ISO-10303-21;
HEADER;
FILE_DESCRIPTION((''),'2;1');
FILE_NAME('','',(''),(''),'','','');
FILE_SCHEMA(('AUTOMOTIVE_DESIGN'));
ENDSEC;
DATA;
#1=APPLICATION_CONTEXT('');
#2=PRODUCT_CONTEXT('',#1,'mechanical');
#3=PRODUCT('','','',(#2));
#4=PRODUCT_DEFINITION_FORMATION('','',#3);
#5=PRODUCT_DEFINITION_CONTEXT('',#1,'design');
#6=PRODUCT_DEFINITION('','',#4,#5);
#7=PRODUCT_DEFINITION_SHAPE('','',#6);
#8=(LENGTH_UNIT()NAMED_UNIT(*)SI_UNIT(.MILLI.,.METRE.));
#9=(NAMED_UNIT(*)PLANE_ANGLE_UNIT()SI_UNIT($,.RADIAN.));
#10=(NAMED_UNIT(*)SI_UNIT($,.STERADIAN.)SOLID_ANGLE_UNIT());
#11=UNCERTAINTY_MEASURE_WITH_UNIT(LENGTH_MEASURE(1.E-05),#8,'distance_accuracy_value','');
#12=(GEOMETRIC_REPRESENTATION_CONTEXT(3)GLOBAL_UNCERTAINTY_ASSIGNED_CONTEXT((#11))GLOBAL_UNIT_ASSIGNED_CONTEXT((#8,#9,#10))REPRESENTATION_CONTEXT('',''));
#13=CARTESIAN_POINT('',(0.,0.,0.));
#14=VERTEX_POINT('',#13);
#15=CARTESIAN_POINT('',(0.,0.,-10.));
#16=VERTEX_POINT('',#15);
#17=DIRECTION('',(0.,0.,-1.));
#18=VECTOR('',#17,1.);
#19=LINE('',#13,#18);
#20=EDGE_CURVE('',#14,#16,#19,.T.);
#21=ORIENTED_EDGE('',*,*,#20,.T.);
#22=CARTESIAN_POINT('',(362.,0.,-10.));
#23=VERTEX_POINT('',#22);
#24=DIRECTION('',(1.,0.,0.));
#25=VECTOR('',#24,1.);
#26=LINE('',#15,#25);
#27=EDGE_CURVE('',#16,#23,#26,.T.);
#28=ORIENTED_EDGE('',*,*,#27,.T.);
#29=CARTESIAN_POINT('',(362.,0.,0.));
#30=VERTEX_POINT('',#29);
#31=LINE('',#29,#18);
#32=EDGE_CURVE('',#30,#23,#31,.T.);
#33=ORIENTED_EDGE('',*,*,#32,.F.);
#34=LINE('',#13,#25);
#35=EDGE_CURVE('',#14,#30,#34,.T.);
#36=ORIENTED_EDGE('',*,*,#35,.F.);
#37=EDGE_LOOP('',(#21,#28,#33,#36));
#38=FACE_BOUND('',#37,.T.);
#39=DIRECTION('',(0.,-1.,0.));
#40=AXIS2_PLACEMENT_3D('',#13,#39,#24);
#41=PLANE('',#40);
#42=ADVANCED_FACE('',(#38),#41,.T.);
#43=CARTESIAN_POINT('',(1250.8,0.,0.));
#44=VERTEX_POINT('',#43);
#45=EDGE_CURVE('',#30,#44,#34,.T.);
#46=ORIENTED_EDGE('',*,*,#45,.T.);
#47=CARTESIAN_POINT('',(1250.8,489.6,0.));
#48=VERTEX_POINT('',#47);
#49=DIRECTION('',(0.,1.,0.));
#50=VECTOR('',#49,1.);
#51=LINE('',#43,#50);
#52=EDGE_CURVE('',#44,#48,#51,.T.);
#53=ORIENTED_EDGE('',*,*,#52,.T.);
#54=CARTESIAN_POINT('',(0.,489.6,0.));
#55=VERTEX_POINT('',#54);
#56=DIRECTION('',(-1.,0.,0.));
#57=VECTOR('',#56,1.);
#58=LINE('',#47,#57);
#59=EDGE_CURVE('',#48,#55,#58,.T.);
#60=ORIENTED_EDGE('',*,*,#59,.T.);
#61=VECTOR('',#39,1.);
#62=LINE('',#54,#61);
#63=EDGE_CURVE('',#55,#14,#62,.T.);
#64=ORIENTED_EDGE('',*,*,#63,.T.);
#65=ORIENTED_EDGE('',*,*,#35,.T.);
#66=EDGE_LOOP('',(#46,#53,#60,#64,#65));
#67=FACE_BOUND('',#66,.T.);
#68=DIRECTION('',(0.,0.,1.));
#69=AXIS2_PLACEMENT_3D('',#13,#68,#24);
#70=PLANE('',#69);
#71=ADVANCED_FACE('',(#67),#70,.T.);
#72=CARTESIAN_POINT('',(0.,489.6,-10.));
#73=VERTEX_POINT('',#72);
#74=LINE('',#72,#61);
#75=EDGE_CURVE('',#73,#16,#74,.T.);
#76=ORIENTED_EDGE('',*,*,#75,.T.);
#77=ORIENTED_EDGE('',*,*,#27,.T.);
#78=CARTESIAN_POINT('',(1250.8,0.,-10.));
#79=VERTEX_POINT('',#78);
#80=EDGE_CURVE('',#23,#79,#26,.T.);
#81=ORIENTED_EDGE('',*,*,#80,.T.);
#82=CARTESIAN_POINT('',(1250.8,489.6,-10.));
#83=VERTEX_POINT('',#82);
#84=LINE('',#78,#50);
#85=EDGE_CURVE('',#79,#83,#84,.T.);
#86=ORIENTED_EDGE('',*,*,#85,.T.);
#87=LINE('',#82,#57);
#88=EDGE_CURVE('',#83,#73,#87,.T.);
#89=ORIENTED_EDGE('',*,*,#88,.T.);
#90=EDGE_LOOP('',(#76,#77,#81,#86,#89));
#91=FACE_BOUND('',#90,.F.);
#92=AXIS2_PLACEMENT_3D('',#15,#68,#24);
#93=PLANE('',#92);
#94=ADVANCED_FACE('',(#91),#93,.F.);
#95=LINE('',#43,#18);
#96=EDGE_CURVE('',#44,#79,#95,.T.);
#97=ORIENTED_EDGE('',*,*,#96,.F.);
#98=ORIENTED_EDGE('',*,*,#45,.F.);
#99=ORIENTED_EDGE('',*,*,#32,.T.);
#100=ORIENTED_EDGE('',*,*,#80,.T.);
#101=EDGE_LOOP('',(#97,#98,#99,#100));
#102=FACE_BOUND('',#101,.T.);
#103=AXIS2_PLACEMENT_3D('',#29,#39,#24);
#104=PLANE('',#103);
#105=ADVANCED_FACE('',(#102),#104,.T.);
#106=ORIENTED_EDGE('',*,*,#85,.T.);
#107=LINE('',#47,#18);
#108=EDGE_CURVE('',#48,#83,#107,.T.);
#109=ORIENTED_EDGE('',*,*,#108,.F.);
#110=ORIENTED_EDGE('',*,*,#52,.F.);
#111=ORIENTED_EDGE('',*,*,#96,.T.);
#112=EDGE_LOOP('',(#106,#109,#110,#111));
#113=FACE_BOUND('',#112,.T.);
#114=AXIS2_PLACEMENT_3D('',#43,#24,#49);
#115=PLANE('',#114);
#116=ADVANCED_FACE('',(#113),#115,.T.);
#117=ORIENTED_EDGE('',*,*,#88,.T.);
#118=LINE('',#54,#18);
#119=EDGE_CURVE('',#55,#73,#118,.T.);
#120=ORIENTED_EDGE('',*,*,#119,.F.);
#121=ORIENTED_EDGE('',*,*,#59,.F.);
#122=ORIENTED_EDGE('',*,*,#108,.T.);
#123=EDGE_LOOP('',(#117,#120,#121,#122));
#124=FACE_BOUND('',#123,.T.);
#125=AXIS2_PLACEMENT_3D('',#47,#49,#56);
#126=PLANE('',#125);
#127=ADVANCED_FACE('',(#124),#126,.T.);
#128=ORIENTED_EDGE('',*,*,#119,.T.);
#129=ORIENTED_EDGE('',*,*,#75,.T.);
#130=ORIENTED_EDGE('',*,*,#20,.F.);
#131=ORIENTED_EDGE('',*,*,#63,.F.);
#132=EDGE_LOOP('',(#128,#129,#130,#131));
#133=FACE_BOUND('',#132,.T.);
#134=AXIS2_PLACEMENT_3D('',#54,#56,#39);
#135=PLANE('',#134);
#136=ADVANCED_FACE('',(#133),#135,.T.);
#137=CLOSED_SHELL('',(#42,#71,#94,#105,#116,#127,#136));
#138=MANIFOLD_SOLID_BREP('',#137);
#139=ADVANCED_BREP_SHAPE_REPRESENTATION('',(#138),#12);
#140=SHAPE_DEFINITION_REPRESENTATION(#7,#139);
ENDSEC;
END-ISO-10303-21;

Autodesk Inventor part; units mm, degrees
ref_plane "YZ Plane" through (0, 0, 0) normal (1, 0, 0) x (0, 1, 0)
ref_plane "XZ Plane" through (0, 0, 0) normal (0, 1, 0) x (-1, 0, 0)
ref_plane "XY Plane" through (0, 0, 0) normal (0, 0, 1) x (1, 0, 0)
sketch "Sketch1" plane through (0, 0, 0) normal (0, 0, 1) x (1, 0, 0)
  line L0 (1250.8, 0) -> (1250.8, 489.6)
  line L1 (1250.8, 489.6) -> (0, 489.6)
  line L2 (0, 489.6) -> (0, 0)
  line L3 (0, 0) -> (362, 0)
  line L4 (0, 0) -> (1250.8, 0)
  dimension "d0" = 1250.8
  dimension "d1" = 489.6
extrude "Extrusion1" add sketch "Sketch1" against normal blind 10
properties part number "Acrilico1_Prensa" material "PMMA Plastic"
